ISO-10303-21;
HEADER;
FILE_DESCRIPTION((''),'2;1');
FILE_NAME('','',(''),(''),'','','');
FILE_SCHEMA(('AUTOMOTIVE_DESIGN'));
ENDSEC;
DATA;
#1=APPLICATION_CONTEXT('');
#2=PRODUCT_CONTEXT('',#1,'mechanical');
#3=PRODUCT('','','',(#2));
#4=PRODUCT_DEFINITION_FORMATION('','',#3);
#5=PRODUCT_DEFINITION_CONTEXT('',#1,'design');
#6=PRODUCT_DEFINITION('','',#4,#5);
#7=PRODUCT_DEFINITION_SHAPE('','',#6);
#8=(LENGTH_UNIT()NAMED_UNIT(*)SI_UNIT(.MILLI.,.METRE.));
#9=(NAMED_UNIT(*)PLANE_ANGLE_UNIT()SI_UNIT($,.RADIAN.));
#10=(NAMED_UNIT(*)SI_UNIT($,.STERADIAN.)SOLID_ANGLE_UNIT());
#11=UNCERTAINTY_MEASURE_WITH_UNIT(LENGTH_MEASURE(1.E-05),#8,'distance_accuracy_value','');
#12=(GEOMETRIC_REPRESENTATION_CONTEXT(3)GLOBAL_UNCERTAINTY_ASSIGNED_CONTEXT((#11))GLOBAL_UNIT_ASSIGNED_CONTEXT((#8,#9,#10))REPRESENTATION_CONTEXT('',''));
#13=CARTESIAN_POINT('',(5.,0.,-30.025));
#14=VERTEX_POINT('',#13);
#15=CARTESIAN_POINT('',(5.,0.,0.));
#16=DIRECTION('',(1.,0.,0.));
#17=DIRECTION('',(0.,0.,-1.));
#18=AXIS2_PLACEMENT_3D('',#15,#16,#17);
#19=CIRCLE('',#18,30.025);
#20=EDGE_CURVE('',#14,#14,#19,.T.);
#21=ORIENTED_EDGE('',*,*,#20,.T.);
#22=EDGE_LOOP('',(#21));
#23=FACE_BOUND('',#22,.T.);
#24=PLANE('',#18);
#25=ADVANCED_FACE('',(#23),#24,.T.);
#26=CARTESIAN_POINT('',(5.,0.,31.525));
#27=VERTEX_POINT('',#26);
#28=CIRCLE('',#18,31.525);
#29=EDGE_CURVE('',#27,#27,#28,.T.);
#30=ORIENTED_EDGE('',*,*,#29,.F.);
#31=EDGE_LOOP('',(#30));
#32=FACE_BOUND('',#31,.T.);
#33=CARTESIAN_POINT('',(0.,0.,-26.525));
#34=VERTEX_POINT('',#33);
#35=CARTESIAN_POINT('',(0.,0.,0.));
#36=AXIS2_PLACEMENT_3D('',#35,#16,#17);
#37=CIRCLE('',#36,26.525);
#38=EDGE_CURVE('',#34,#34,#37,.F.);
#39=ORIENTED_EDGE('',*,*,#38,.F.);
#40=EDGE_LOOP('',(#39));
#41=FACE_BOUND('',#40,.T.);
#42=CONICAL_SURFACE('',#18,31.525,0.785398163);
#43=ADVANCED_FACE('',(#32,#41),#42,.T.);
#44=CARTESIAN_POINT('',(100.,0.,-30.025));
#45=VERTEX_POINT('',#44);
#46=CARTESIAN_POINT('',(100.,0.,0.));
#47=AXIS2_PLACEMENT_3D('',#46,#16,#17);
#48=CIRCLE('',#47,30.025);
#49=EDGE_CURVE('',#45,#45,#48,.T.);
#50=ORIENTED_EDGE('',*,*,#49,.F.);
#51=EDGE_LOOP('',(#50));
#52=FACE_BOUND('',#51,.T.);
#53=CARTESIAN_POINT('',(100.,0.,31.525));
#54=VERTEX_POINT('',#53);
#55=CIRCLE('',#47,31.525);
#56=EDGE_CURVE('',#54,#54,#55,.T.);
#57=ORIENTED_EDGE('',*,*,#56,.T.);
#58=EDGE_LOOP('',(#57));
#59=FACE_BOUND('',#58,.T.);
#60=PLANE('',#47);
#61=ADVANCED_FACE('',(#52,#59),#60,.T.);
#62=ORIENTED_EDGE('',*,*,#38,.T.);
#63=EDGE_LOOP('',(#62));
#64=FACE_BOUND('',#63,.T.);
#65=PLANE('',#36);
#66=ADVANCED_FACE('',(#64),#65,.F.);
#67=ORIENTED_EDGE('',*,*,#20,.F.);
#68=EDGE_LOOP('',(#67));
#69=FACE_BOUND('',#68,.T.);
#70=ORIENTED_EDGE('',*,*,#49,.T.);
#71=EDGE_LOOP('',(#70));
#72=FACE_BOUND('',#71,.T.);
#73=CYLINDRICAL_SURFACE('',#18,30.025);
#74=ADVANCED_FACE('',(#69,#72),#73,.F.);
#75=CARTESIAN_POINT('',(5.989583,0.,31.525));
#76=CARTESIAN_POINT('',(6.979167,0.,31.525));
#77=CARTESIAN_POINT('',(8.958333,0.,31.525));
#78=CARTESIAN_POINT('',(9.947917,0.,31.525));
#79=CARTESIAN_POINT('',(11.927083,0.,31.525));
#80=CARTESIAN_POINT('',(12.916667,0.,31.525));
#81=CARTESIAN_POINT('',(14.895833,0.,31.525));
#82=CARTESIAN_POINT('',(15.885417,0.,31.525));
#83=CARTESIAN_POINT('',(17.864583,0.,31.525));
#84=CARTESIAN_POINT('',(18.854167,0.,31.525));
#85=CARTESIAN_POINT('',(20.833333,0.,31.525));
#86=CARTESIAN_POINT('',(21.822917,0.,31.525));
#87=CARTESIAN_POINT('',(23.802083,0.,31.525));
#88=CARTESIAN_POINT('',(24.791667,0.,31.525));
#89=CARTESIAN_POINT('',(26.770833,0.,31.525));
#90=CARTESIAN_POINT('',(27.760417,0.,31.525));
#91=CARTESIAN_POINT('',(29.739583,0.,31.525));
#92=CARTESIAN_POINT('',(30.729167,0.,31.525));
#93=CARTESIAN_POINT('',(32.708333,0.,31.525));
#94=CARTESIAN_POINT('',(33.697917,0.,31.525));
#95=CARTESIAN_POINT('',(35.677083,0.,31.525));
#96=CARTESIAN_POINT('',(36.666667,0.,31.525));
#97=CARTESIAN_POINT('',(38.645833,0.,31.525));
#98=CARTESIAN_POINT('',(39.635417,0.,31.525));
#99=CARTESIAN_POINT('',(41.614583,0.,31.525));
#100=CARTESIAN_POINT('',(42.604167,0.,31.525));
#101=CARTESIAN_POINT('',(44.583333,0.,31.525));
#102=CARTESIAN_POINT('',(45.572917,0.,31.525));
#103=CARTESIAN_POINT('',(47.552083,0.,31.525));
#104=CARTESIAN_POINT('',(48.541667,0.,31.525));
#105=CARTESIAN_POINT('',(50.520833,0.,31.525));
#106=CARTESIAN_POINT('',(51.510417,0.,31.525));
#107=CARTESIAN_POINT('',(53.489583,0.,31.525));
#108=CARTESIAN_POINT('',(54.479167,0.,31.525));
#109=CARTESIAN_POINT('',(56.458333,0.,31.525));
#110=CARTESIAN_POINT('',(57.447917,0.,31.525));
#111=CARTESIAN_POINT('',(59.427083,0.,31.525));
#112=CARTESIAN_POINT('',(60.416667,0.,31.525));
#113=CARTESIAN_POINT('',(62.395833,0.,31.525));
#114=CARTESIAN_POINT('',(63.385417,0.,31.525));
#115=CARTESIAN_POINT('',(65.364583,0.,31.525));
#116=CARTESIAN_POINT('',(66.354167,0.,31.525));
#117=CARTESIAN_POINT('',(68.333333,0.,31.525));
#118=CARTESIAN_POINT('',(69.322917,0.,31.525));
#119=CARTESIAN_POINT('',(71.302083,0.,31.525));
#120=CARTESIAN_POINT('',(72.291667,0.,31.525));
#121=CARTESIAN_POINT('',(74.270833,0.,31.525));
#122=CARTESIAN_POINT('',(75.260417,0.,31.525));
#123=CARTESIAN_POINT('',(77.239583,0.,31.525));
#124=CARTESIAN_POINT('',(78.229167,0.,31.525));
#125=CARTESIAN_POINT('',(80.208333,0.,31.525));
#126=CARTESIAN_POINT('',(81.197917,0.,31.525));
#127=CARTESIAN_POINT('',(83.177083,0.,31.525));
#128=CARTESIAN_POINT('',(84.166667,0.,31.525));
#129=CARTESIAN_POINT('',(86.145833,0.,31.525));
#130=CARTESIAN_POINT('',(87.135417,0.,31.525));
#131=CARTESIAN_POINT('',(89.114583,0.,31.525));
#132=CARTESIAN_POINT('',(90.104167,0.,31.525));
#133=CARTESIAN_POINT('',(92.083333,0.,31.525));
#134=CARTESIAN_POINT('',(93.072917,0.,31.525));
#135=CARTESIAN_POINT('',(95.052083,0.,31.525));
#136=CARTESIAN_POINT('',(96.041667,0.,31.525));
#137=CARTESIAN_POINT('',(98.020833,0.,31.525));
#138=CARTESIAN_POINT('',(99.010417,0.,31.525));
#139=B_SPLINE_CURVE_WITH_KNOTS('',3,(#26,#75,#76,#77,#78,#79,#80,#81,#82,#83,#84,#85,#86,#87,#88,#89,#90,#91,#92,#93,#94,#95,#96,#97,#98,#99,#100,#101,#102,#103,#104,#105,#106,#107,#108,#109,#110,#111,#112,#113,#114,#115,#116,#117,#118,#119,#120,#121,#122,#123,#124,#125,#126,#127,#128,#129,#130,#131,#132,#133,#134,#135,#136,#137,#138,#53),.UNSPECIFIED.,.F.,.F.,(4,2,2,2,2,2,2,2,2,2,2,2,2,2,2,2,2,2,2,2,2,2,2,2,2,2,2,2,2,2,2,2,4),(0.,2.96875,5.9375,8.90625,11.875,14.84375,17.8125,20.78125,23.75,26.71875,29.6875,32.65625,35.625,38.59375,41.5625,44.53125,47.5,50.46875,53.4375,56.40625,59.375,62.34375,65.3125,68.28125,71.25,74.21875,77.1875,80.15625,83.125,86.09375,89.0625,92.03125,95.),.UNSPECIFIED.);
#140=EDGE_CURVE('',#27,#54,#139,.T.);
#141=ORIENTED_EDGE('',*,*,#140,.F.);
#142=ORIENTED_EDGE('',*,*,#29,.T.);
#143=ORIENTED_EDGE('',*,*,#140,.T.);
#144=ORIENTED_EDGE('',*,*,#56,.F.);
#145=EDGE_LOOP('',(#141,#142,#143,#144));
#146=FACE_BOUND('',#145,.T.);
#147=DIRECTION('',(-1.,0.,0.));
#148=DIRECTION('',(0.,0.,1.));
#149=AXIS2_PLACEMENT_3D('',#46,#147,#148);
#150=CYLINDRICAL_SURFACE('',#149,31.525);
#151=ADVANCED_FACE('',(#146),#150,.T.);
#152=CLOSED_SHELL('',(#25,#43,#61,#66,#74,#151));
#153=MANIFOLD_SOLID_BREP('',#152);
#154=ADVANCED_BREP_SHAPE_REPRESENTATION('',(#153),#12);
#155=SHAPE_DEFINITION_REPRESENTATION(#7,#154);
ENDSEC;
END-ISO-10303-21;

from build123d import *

# Parameters (mm, degrees)
SKETCH1_R           = 31.525
BOSS_EXTRUDE1_DEPTH = 100
SKETCH3_R           = 30.025
CUT_EXTRUDE1_DEPTH  = 95
CHAMFER2_SIZE       = 5


with BuildPart() as part:
    # Sketch1 → Boss-Extrude1 (new body)
    with BuildSketch(Plane(origin=(0, 0, 0), x_dir=(0, 0, -1), z_dir=(1, 0, 0))):
        with Locations(Location((0, 0, 0), (0, 0, 180))):
            Circle(SKETCH1_R)
    extrude(amount=BOSS_EXTRUDE1_DEPTH)

    # Sketch3 → Cut-Extrude1 (cut)
    with BuildSketch(Plane(origin=(100, 0, 0), x_dir=(0, 0, -1), z_dir=(1, 0, 0))):
        Circle(SKETCH3_R)
    extrude(amount=-CUT_EXTRUDE1_DEPTH, mode=Mode.SUBTRACT)

    # Chamfer2
    chamfer2_edges = [part.edges().sort_by_distance(p)[0] for p in [
        (0, 0, -31.525),
    ]]
    chamfer(chamfer2_edges, length=CHAMFER2_SIZE)


solid = part.part
